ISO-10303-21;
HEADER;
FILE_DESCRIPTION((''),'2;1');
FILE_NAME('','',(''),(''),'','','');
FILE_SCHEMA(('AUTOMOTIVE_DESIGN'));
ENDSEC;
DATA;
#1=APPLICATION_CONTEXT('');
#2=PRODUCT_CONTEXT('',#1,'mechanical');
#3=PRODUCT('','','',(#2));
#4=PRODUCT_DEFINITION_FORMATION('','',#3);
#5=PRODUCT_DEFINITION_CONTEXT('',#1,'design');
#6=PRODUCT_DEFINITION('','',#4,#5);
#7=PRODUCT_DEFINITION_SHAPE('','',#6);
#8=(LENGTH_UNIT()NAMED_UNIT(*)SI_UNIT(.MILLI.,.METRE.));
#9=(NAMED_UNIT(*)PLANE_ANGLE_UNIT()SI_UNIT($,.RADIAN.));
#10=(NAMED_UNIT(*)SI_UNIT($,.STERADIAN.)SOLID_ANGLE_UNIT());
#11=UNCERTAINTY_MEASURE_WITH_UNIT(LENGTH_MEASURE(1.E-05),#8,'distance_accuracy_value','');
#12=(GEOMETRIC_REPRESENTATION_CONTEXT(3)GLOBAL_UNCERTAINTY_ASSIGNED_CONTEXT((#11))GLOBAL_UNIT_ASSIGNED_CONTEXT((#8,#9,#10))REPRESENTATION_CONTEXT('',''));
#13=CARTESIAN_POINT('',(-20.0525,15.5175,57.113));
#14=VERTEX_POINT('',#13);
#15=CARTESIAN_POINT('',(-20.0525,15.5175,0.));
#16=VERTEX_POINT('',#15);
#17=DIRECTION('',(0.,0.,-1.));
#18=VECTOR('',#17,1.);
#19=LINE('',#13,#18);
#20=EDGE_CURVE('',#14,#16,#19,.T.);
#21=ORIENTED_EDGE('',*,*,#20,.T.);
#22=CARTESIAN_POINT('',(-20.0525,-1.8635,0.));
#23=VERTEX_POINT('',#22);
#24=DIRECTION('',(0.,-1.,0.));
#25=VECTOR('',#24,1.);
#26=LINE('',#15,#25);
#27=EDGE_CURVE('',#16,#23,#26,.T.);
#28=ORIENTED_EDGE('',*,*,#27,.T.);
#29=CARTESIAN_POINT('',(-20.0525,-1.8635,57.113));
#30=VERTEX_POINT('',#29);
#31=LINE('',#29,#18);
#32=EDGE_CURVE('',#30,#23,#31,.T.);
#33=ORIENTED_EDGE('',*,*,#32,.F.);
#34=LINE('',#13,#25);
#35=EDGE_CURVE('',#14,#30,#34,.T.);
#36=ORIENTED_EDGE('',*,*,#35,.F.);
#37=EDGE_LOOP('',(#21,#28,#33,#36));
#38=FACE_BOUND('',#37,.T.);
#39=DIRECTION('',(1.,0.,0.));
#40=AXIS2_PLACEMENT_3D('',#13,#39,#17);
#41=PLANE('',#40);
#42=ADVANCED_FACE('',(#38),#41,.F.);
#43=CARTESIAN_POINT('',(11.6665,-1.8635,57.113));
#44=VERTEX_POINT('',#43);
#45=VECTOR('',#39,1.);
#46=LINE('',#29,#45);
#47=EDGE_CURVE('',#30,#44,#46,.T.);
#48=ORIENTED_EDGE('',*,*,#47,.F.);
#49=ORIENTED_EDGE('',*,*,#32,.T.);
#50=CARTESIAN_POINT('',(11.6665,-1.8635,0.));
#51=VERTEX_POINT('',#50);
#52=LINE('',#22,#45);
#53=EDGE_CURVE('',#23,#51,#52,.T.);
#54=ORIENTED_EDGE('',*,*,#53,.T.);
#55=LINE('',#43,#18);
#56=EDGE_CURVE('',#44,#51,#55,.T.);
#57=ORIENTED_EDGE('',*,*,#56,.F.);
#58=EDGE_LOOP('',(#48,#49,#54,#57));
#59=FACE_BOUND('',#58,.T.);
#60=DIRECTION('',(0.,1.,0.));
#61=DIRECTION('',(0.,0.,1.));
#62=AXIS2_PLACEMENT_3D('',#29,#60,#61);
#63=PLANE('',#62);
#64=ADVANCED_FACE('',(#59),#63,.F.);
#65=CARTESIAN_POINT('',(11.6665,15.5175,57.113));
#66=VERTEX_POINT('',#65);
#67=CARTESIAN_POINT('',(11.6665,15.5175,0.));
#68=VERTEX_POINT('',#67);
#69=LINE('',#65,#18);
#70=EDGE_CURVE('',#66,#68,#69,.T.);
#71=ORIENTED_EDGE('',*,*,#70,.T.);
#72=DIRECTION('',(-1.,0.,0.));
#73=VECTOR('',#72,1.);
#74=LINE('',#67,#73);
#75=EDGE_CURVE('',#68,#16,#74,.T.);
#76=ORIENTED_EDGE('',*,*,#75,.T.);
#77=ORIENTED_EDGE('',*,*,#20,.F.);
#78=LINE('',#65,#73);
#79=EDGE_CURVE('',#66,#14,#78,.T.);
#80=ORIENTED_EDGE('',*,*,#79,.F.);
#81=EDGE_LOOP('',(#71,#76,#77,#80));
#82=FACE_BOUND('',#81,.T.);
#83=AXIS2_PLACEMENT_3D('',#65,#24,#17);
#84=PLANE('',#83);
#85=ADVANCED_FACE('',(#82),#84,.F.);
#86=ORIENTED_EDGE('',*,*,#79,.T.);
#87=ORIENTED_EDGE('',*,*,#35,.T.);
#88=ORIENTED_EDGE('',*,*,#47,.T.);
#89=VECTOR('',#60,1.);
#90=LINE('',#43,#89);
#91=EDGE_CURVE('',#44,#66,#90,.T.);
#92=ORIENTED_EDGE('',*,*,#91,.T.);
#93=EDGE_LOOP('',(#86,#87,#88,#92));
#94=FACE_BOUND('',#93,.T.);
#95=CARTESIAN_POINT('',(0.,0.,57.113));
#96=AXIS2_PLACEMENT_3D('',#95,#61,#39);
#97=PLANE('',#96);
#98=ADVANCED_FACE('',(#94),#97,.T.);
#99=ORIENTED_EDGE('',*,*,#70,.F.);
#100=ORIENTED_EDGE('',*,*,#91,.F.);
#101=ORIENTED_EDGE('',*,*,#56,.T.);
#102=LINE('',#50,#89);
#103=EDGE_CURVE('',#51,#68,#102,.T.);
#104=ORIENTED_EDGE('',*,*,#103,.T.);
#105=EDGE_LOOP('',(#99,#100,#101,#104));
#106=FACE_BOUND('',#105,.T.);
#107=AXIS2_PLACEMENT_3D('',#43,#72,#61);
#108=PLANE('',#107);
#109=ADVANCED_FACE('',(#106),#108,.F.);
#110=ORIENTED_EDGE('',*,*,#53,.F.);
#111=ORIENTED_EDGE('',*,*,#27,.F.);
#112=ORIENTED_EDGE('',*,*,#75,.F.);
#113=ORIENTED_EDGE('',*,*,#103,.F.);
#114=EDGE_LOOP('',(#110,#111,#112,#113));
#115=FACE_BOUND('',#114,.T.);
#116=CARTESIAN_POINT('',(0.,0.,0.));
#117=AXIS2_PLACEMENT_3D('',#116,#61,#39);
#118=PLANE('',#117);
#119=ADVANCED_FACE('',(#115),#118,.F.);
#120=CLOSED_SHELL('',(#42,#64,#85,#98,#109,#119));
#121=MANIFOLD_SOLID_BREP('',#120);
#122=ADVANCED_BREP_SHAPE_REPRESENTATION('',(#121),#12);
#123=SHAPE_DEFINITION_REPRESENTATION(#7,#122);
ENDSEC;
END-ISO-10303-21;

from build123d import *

# Parameters (mm, degrees)
CURVESKETCH_W   = 31.719
CURVESKETCH_H   = 17.381
CURVEBOSS_DEPTH = 57.113


with BuildPart() as part:
    # CurveSketch → CurveBoss (new body)
    with BuildSketch(Plane.XY):
        with Locations((-4.193, 6.827)):
            Rectangle(CURVESKETCH_W, CURVESKETCH_H)
    extrude(amount=CURVEBOSS_DEPTH)


solid = part.part
